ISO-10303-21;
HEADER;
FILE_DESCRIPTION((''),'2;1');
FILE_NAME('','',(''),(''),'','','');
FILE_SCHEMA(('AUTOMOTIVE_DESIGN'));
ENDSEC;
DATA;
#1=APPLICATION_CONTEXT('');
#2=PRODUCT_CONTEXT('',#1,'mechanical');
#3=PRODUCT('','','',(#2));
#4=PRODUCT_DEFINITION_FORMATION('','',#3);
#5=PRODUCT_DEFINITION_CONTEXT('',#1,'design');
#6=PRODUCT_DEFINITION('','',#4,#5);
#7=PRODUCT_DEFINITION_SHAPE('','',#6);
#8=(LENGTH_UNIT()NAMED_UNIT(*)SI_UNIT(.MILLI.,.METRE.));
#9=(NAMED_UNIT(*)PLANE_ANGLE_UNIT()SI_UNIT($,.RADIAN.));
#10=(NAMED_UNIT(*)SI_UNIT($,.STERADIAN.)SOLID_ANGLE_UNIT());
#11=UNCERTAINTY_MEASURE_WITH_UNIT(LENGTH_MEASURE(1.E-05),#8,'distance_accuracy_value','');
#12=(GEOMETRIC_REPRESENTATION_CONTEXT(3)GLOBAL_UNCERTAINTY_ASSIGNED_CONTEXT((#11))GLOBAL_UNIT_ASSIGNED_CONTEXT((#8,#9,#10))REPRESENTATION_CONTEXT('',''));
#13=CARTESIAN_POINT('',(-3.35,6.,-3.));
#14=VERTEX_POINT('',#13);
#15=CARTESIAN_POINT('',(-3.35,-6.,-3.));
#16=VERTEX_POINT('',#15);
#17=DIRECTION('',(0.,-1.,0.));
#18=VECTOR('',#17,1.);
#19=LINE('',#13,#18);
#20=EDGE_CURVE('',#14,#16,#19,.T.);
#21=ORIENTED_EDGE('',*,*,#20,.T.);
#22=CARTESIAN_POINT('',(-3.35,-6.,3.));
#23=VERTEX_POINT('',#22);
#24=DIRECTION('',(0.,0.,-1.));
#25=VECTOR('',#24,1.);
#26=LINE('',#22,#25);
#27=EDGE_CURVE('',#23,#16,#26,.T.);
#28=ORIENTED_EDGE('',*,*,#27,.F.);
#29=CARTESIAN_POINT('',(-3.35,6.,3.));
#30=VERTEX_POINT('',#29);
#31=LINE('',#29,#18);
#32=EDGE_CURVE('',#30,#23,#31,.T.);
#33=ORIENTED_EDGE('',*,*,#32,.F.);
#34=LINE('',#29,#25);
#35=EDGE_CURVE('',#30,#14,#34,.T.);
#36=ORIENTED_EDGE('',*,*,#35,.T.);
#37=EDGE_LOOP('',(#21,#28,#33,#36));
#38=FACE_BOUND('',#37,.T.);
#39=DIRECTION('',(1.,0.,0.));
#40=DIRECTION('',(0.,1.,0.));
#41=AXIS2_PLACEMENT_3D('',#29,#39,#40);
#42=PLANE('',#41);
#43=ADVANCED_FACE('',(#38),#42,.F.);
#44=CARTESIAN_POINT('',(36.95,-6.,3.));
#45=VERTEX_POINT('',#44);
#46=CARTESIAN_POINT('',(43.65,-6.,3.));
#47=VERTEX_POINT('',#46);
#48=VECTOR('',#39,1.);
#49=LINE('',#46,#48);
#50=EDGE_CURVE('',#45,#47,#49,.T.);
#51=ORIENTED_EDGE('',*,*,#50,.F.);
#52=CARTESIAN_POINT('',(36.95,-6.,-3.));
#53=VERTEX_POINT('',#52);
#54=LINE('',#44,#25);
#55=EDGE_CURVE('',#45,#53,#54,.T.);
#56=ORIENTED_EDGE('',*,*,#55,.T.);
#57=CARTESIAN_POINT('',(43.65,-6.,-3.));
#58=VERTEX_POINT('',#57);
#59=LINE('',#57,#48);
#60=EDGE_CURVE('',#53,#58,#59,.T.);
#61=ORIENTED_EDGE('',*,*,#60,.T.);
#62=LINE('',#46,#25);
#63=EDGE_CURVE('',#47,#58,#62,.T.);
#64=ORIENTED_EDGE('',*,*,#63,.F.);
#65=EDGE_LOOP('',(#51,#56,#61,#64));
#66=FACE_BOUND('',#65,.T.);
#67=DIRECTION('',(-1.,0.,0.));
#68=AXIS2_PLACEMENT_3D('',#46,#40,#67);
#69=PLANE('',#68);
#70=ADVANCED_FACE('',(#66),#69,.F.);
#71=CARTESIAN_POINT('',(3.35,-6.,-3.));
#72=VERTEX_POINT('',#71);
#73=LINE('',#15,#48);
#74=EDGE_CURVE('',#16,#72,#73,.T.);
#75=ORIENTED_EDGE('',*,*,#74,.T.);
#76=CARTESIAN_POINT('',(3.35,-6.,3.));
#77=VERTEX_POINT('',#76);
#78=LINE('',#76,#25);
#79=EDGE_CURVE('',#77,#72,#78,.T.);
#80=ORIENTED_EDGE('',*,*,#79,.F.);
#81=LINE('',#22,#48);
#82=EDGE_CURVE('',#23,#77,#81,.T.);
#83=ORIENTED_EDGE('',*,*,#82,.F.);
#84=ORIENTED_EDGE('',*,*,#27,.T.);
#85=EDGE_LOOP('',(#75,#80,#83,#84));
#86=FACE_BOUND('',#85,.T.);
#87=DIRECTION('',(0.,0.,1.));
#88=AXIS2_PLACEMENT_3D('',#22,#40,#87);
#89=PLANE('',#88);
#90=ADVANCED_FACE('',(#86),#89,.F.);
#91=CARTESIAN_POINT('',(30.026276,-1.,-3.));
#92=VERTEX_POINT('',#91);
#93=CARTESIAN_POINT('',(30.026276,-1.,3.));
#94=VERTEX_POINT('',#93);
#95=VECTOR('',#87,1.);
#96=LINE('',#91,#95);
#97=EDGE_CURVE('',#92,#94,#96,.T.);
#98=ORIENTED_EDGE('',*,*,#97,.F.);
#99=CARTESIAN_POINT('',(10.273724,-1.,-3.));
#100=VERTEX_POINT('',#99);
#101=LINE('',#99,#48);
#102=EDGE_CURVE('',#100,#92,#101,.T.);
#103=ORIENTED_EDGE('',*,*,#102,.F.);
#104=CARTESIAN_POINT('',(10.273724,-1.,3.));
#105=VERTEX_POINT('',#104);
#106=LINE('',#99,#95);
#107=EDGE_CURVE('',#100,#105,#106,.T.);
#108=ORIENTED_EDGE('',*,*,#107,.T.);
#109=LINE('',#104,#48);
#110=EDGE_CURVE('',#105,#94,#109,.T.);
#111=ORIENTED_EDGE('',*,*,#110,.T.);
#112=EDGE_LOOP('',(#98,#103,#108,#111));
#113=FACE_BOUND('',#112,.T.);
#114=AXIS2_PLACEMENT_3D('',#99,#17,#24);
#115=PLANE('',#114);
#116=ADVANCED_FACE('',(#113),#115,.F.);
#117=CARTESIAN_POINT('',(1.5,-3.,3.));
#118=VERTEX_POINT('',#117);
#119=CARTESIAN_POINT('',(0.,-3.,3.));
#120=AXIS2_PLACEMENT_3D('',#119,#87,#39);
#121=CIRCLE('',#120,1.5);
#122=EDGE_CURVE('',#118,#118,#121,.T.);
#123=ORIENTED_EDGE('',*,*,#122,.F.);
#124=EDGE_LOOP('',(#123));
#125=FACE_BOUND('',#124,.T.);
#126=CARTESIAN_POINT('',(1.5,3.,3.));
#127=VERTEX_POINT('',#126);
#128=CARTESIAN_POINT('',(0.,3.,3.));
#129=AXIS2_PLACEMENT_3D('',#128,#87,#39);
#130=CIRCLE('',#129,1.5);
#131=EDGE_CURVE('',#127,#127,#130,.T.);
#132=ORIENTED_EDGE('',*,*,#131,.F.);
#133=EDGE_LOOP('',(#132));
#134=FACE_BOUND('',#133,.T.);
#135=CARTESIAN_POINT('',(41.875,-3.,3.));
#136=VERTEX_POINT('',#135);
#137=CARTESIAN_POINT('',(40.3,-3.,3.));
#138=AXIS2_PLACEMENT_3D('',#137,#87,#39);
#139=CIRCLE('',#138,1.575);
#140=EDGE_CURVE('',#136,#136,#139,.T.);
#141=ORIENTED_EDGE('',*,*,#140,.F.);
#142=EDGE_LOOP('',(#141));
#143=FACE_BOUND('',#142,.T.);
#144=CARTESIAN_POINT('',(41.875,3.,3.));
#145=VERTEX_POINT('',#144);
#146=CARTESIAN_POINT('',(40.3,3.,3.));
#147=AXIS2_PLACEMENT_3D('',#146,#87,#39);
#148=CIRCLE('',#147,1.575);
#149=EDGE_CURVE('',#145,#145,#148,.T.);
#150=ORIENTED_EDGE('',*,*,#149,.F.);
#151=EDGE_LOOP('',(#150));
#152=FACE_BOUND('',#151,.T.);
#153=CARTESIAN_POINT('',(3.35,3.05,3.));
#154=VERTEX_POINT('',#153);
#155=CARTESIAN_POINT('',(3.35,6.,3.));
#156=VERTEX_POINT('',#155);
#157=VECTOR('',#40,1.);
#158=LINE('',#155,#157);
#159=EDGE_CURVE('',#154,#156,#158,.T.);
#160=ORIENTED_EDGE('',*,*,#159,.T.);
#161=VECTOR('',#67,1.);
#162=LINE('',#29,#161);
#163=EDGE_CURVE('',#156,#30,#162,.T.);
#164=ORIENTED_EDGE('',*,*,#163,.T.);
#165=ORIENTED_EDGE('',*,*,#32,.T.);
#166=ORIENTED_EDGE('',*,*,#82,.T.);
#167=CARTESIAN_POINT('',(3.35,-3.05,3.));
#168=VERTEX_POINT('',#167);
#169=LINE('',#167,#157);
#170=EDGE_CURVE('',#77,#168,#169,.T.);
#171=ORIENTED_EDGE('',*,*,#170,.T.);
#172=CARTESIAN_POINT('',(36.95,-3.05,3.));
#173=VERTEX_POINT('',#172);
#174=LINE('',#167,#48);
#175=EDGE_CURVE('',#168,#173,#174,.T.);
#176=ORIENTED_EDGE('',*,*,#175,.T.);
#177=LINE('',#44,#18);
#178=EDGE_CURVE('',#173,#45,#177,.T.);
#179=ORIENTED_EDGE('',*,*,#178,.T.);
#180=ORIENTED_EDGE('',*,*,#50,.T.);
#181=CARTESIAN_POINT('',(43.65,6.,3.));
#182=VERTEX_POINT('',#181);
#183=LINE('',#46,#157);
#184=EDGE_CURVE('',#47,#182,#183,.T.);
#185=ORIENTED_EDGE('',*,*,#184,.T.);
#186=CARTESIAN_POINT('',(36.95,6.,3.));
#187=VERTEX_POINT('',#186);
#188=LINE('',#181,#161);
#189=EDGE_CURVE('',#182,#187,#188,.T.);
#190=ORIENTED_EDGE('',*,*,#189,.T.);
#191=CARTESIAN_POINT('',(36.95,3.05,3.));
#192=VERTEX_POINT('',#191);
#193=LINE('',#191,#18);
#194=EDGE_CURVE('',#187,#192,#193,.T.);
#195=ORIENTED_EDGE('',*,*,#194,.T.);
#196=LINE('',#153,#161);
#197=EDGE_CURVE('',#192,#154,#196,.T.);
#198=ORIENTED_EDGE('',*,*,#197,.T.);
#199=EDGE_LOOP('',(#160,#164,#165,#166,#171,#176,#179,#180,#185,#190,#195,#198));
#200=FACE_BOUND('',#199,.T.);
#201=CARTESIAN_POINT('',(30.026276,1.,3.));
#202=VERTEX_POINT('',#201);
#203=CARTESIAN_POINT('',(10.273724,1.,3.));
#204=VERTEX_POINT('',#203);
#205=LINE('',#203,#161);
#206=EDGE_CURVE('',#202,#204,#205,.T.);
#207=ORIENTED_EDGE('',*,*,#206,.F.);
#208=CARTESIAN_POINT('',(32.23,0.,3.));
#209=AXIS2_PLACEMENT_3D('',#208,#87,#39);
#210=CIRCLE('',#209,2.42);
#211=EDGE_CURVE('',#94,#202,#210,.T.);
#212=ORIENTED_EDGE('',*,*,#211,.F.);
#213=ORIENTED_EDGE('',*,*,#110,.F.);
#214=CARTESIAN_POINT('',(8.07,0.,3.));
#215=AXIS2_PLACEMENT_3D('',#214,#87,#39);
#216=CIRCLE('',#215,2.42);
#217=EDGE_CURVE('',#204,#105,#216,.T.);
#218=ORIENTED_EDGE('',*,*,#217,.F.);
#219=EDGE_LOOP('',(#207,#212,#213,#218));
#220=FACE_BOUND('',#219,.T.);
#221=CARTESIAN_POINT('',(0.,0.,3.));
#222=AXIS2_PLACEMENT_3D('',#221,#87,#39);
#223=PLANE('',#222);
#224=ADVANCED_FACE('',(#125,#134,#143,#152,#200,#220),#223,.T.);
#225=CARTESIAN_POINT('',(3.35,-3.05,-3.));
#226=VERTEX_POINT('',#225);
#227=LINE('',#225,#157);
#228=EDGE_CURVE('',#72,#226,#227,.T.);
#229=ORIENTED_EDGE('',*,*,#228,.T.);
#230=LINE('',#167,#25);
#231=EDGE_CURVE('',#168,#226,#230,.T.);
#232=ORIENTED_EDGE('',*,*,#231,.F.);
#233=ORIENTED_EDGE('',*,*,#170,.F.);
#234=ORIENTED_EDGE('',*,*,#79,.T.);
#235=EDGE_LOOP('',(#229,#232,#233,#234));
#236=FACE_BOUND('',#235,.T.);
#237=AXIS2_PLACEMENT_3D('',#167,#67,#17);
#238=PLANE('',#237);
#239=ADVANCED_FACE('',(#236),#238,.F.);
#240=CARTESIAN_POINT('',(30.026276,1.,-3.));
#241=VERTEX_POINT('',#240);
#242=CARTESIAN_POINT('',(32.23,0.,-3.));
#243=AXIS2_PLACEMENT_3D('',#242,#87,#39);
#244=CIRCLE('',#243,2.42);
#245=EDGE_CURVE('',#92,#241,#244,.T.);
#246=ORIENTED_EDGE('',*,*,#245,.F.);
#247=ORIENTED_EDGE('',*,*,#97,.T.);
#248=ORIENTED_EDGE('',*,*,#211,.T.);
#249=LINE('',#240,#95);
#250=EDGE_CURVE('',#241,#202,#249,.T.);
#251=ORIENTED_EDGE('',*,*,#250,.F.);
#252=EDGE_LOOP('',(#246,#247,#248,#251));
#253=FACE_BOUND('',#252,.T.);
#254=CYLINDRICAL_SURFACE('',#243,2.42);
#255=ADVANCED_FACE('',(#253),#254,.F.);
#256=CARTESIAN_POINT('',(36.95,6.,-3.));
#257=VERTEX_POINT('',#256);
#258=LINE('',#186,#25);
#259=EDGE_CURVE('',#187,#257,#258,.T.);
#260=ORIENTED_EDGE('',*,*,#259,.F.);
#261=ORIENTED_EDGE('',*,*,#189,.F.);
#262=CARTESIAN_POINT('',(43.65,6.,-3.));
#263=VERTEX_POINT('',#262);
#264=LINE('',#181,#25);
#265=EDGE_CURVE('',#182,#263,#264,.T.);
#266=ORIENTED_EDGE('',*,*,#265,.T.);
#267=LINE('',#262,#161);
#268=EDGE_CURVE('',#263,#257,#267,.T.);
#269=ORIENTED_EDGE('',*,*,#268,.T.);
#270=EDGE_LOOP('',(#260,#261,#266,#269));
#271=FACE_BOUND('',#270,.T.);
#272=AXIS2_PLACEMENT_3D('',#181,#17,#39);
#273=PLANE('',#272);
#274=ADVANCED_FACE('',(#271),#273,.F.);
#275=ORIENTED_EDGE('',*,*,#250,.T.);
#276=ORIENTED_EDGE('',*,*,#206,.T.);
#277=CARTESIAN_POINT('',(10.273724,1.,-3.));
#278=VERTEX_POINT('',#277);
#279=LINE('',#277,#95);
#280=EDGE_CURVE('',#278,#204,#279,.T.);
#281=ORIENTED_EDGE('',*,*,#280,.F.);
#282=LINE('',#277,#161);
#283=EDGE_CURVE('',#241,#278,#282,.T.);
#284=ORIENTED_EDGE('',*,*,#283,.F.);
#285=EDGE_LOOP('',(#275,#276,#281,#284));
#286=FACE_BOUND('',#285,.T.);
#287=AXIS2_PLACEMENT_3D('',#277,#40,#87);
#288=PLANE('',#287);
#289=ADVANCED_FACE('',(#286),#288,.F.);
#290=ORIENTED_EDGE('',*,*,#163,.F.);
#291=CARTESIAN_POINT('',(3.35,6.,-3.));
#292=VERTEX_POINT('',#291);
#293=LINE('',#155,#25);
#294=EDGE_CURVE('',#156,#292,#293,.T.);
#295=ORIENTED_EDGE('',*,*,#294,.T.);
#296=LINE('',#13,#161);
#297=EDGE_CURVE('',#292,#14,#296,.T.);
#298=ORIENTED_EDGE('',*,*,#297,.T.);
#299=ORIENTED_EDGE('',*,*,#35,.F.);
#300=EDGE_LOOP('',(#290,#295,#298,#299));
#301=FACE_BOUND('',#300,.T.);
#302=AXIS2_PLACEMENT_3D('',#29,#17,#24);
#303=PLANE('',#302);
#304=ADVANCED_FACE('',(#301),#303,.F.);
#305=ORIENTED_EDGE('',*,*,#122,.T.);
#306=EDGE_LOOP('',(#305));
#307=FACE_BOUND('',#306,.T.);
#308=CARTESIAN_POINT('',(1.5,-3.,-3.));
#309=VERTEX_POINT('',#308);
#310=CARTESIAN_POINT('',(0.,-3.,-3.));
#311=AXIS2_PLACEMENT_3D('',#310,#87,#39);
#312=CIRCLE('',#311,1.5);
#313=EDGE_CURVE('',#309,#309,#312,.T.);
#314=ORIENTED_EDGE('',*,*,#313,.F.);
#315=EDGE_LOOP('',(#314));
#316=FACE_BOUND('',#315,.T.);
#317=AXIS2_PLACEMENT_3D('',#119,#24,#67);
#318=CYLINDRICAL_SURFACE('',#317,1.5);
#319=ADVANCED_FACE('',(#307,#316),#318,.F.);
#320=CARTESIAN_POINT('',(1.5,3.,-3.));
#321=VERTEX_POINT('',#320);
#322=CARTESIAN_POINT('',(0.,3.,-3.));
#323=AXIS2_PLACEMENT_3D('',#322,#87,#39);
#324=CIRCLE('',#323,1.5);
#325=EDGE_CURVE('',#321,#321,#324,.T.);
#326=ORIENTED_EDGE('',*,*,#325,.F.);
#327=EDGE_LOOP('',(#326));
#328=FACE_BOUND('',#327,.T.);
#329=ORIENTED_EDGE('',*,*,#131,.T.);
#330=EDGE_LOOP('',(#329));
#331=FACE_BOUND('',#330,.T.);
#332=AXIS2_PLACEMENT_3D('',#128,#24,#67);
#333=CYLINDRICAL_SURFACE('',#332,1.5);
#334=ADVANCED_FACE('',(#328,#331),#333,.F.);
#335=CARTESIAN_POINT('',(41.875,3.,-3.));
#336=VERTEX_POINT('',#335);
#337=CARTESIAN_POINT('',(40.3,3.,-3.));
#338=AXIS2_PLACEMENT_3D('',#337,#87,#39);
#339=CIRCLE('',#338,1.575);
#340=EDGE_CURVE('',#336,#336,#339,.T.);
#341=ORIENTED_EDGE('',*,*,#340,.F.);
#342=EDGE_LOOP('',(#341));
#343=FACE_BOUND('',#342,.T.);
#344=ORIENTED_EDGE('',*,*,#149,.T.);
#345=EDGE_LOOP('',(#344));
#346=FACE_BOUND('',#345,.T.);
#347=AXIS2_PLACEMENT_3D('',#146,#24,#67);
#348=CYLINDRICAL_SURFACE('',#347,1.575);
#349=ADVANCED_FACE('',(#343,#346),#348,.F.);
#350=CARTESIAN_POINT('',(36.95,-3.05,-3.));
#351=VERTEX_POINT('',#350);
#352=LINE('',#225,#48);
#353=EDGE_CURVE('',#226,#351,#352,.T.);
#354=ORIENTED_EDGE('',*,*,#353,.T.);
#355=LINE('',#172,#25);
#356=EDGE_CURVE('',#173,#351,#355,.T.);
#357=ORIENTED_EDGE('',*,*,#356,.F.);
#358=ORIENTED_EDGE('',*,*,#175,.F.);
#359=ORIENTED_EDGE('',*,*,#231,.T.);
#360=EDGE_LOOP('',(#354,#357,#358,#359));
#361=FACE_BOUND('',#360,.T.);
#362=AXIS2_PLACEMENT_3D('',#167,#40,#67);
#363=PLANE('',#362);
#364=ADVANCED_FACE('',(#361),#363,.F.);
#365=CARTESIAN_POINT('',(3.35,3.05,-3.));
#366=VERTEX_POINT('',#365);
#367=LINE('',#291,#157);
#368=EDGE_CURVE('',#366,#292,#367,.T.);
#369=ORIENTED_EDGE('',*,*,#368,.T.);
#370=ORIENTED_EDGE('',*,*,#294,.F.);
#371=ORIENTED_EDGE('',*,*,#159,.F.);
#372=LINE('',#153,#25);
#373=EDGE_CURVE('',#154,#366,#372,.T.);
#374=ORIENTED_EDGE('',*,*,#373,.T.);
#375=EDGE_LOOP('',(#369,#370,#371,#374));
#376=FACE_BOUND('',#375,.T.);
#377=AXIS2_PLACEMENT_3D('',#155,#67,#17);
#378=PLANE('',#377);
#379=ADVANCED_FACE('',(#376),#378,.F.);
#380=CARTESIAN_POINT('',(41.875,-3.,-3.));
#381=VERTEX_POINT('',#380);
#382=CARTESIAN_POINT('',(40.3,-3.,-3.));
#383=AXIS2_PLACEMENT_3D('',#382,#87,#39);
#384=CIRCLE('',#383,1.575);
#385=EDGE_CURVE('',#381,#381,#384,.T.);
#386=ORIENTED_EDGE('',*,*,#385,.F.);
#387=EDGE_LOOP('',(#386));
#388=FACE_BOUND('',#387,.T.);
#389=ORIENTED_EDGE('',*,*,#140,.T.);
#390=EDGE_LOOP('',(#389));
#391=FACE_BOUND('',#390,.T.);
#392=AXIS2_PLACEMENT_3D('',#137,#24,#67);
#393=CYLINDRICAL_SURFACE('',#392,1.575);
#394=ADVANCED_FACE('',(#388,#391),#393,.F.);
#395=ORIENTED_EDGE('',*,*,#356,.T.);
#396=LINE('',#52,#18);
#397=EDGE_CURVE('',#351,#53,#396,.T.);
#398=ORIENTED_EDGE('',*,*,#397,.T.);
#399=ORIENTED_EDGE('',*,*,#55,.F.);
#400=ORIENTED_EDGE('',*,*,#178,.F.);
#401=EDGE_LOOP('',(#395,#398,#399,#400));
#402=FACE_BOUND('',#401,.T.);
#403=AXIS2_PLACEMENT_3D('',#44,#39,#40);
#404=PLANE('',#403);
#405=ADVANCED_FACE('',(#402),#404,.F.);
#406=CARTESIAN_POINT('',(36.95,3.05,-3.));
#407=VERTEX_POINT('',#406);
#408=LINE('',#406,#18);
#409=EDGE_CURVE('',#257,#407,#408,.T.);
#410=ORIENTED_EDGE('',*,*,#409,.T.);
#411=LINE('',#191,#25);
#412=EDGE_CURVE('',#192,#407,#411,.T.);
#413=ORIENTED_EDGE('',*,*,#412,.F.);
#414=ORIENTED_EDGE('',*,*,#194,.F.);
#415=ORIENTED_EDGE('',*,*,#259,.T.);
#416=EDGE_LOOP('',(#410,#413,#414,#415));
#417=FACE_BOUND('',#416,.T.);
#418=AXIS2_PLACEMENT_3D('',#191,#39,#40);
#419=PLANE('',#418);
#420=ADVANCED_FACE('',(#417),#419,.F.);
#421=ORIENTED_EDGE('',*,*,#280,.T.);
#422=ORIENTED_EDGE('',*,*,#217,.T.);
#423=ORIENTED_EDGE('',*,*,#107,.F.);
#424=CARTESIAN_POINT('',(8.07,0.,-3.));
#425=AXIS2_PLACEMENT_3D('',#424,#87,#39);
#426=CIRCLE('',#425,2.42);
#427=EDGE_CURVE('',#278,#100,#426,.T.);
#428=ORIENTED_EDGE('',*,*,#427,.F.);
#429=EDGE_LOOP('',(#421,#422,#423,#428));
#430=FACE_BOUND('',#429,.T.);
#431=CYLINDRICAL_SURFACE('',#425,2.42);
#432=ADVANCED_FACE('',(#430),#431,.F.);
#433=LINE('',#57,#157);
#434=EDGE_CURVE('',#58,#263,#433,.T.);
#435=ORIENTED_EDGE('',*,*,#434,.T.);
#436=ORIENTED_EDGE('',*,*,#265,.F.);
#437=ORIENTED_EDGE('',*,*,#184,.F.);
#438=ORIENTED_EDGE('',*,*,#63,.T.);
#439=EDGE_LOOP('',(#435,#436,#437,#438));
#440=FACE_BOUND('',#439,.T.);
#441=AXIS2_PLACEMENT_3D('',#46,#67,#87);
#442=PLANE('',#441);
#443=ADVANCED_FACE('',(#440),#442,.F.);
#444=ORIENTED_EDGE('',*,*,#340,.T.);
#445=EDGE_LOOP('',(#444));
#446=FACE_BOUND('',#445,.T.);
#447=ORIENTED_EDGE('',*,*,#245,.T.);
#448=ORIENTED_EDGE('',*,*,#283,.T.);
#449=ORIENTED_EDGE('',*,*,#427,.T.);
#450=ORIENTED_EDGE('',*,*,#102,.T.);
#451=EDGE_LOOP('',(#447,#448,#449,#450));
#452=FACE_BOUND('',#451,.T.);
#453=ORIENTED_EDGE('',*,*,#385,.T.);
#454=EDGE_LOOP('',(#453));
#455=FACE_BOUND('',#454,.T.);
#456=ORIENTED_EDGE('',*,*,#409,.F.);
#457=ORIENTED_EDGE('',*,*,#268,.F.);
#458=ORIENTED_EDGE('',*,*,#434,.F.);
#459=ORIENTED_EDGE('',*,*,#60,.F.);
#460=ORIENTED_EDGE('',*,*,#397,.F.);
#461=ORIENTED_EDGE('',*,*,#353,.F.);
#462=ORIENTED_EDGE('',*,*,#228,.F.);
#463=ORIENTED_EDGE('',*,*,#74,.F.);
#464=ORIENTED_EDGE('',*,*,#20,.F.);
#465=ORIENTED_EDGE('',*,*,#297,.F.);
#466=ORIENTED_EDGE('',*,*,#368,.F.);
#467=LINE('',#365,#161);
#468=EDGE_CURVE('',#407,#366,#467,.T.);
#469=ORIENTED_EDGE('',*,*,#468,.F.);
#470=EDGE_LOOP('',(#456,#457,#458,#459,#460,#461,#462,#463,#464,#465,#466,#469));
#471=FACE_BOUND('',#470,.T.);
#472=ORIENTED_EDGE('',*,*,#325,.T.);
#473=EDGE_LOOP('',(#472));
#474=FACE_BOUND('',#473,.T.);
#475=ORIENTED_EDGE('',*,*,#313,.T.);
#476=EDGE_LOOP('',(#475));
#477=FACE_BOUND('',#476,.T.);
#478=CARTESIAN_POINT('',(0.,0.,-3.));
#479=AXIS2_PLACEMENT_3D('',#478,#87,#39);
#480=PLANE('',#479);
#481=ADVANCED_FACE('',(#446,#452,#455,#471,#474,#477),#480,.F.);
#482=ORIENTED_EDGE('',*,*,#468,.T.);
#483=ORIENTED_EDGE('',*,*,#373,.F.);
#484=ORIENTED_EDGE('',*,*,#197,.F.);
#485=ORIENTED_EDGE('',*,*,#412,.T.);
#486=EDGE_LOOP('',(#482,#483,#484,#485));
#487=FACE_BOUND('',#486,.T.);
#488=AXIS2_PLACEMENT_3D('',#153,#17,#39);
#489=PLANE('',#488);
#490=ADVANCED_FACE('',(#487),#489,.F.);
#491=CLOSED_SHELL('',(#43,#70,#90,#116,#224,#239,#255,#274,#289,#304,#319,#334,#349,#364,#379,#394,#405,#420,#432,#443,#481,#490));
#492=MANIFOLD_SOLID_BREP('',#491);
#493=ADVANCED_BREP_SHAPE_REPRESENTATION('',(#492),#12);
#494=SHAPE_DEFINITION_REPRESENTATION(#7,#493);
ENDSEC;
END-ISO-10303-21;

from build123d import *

# Parameters (mm, degrees)
SKETCH1_R           = 1.575
SKETCH1_R_2         = 1.5
BOSS_EXTRUDE1_DEPTH = 3
CUT_EXTRUDE1_DEPTH  = 45.467094576


with BuildPart() as part:
    # Sketch1 → Boss-Extrude1 (new, symmetric)
    with BuildSketch(Plane.XY):
        Polygon((-3.35, 6), (3.35, 6), (3.35, 3.05), (36.95, 3.05), (36.95, 6), (43.65, 6), (43.65, -6), (36.95, -6), (36.95, -3.05), (3.35, -3.05), (3.35, -6), (-3.35, -6), align=None)
        with Locations((40.3, 3)):
            Circle(SKETCH1_R, mode=Mode.SUBTRACT)
        with Locations((40.3, -3)):
            Circle(SKETCH1_R, mode=Mode.SUBTRACT)
        with Locations((0, 3)):
            Circle(SKETCH1_R_2, mode=Mode.SUBTRACT)
        with Locations((0, -3)):
            Circle(SKETCH1_R_2, mode=Mode.SUBTRACT)
    extrude(amount=BOSS_EXTRUDE1_DEPTH, both=True)

    # Sketch4 → Cut-Extrude1 (cut, through all)
    with BuildSketch(Plane.XY.offset(3)):
        with BuildLine():
            Line((10.273724121, 1), (30.026275879, 1))
            ThreePointArc((30.026275879, 1), (34.65, 0), (30.026275879, -1))
            Line((30.026275879, -1), (10.273724121, -1))
            ThreePointArc((10.273724121, -1), (5.65, 0), (10.273724121, 1))
        make_face()
    extrude(amount=-CUT_EXTRUDE1_DEPTH, mode=Mode.SUBTRACT)


solid = part.part
